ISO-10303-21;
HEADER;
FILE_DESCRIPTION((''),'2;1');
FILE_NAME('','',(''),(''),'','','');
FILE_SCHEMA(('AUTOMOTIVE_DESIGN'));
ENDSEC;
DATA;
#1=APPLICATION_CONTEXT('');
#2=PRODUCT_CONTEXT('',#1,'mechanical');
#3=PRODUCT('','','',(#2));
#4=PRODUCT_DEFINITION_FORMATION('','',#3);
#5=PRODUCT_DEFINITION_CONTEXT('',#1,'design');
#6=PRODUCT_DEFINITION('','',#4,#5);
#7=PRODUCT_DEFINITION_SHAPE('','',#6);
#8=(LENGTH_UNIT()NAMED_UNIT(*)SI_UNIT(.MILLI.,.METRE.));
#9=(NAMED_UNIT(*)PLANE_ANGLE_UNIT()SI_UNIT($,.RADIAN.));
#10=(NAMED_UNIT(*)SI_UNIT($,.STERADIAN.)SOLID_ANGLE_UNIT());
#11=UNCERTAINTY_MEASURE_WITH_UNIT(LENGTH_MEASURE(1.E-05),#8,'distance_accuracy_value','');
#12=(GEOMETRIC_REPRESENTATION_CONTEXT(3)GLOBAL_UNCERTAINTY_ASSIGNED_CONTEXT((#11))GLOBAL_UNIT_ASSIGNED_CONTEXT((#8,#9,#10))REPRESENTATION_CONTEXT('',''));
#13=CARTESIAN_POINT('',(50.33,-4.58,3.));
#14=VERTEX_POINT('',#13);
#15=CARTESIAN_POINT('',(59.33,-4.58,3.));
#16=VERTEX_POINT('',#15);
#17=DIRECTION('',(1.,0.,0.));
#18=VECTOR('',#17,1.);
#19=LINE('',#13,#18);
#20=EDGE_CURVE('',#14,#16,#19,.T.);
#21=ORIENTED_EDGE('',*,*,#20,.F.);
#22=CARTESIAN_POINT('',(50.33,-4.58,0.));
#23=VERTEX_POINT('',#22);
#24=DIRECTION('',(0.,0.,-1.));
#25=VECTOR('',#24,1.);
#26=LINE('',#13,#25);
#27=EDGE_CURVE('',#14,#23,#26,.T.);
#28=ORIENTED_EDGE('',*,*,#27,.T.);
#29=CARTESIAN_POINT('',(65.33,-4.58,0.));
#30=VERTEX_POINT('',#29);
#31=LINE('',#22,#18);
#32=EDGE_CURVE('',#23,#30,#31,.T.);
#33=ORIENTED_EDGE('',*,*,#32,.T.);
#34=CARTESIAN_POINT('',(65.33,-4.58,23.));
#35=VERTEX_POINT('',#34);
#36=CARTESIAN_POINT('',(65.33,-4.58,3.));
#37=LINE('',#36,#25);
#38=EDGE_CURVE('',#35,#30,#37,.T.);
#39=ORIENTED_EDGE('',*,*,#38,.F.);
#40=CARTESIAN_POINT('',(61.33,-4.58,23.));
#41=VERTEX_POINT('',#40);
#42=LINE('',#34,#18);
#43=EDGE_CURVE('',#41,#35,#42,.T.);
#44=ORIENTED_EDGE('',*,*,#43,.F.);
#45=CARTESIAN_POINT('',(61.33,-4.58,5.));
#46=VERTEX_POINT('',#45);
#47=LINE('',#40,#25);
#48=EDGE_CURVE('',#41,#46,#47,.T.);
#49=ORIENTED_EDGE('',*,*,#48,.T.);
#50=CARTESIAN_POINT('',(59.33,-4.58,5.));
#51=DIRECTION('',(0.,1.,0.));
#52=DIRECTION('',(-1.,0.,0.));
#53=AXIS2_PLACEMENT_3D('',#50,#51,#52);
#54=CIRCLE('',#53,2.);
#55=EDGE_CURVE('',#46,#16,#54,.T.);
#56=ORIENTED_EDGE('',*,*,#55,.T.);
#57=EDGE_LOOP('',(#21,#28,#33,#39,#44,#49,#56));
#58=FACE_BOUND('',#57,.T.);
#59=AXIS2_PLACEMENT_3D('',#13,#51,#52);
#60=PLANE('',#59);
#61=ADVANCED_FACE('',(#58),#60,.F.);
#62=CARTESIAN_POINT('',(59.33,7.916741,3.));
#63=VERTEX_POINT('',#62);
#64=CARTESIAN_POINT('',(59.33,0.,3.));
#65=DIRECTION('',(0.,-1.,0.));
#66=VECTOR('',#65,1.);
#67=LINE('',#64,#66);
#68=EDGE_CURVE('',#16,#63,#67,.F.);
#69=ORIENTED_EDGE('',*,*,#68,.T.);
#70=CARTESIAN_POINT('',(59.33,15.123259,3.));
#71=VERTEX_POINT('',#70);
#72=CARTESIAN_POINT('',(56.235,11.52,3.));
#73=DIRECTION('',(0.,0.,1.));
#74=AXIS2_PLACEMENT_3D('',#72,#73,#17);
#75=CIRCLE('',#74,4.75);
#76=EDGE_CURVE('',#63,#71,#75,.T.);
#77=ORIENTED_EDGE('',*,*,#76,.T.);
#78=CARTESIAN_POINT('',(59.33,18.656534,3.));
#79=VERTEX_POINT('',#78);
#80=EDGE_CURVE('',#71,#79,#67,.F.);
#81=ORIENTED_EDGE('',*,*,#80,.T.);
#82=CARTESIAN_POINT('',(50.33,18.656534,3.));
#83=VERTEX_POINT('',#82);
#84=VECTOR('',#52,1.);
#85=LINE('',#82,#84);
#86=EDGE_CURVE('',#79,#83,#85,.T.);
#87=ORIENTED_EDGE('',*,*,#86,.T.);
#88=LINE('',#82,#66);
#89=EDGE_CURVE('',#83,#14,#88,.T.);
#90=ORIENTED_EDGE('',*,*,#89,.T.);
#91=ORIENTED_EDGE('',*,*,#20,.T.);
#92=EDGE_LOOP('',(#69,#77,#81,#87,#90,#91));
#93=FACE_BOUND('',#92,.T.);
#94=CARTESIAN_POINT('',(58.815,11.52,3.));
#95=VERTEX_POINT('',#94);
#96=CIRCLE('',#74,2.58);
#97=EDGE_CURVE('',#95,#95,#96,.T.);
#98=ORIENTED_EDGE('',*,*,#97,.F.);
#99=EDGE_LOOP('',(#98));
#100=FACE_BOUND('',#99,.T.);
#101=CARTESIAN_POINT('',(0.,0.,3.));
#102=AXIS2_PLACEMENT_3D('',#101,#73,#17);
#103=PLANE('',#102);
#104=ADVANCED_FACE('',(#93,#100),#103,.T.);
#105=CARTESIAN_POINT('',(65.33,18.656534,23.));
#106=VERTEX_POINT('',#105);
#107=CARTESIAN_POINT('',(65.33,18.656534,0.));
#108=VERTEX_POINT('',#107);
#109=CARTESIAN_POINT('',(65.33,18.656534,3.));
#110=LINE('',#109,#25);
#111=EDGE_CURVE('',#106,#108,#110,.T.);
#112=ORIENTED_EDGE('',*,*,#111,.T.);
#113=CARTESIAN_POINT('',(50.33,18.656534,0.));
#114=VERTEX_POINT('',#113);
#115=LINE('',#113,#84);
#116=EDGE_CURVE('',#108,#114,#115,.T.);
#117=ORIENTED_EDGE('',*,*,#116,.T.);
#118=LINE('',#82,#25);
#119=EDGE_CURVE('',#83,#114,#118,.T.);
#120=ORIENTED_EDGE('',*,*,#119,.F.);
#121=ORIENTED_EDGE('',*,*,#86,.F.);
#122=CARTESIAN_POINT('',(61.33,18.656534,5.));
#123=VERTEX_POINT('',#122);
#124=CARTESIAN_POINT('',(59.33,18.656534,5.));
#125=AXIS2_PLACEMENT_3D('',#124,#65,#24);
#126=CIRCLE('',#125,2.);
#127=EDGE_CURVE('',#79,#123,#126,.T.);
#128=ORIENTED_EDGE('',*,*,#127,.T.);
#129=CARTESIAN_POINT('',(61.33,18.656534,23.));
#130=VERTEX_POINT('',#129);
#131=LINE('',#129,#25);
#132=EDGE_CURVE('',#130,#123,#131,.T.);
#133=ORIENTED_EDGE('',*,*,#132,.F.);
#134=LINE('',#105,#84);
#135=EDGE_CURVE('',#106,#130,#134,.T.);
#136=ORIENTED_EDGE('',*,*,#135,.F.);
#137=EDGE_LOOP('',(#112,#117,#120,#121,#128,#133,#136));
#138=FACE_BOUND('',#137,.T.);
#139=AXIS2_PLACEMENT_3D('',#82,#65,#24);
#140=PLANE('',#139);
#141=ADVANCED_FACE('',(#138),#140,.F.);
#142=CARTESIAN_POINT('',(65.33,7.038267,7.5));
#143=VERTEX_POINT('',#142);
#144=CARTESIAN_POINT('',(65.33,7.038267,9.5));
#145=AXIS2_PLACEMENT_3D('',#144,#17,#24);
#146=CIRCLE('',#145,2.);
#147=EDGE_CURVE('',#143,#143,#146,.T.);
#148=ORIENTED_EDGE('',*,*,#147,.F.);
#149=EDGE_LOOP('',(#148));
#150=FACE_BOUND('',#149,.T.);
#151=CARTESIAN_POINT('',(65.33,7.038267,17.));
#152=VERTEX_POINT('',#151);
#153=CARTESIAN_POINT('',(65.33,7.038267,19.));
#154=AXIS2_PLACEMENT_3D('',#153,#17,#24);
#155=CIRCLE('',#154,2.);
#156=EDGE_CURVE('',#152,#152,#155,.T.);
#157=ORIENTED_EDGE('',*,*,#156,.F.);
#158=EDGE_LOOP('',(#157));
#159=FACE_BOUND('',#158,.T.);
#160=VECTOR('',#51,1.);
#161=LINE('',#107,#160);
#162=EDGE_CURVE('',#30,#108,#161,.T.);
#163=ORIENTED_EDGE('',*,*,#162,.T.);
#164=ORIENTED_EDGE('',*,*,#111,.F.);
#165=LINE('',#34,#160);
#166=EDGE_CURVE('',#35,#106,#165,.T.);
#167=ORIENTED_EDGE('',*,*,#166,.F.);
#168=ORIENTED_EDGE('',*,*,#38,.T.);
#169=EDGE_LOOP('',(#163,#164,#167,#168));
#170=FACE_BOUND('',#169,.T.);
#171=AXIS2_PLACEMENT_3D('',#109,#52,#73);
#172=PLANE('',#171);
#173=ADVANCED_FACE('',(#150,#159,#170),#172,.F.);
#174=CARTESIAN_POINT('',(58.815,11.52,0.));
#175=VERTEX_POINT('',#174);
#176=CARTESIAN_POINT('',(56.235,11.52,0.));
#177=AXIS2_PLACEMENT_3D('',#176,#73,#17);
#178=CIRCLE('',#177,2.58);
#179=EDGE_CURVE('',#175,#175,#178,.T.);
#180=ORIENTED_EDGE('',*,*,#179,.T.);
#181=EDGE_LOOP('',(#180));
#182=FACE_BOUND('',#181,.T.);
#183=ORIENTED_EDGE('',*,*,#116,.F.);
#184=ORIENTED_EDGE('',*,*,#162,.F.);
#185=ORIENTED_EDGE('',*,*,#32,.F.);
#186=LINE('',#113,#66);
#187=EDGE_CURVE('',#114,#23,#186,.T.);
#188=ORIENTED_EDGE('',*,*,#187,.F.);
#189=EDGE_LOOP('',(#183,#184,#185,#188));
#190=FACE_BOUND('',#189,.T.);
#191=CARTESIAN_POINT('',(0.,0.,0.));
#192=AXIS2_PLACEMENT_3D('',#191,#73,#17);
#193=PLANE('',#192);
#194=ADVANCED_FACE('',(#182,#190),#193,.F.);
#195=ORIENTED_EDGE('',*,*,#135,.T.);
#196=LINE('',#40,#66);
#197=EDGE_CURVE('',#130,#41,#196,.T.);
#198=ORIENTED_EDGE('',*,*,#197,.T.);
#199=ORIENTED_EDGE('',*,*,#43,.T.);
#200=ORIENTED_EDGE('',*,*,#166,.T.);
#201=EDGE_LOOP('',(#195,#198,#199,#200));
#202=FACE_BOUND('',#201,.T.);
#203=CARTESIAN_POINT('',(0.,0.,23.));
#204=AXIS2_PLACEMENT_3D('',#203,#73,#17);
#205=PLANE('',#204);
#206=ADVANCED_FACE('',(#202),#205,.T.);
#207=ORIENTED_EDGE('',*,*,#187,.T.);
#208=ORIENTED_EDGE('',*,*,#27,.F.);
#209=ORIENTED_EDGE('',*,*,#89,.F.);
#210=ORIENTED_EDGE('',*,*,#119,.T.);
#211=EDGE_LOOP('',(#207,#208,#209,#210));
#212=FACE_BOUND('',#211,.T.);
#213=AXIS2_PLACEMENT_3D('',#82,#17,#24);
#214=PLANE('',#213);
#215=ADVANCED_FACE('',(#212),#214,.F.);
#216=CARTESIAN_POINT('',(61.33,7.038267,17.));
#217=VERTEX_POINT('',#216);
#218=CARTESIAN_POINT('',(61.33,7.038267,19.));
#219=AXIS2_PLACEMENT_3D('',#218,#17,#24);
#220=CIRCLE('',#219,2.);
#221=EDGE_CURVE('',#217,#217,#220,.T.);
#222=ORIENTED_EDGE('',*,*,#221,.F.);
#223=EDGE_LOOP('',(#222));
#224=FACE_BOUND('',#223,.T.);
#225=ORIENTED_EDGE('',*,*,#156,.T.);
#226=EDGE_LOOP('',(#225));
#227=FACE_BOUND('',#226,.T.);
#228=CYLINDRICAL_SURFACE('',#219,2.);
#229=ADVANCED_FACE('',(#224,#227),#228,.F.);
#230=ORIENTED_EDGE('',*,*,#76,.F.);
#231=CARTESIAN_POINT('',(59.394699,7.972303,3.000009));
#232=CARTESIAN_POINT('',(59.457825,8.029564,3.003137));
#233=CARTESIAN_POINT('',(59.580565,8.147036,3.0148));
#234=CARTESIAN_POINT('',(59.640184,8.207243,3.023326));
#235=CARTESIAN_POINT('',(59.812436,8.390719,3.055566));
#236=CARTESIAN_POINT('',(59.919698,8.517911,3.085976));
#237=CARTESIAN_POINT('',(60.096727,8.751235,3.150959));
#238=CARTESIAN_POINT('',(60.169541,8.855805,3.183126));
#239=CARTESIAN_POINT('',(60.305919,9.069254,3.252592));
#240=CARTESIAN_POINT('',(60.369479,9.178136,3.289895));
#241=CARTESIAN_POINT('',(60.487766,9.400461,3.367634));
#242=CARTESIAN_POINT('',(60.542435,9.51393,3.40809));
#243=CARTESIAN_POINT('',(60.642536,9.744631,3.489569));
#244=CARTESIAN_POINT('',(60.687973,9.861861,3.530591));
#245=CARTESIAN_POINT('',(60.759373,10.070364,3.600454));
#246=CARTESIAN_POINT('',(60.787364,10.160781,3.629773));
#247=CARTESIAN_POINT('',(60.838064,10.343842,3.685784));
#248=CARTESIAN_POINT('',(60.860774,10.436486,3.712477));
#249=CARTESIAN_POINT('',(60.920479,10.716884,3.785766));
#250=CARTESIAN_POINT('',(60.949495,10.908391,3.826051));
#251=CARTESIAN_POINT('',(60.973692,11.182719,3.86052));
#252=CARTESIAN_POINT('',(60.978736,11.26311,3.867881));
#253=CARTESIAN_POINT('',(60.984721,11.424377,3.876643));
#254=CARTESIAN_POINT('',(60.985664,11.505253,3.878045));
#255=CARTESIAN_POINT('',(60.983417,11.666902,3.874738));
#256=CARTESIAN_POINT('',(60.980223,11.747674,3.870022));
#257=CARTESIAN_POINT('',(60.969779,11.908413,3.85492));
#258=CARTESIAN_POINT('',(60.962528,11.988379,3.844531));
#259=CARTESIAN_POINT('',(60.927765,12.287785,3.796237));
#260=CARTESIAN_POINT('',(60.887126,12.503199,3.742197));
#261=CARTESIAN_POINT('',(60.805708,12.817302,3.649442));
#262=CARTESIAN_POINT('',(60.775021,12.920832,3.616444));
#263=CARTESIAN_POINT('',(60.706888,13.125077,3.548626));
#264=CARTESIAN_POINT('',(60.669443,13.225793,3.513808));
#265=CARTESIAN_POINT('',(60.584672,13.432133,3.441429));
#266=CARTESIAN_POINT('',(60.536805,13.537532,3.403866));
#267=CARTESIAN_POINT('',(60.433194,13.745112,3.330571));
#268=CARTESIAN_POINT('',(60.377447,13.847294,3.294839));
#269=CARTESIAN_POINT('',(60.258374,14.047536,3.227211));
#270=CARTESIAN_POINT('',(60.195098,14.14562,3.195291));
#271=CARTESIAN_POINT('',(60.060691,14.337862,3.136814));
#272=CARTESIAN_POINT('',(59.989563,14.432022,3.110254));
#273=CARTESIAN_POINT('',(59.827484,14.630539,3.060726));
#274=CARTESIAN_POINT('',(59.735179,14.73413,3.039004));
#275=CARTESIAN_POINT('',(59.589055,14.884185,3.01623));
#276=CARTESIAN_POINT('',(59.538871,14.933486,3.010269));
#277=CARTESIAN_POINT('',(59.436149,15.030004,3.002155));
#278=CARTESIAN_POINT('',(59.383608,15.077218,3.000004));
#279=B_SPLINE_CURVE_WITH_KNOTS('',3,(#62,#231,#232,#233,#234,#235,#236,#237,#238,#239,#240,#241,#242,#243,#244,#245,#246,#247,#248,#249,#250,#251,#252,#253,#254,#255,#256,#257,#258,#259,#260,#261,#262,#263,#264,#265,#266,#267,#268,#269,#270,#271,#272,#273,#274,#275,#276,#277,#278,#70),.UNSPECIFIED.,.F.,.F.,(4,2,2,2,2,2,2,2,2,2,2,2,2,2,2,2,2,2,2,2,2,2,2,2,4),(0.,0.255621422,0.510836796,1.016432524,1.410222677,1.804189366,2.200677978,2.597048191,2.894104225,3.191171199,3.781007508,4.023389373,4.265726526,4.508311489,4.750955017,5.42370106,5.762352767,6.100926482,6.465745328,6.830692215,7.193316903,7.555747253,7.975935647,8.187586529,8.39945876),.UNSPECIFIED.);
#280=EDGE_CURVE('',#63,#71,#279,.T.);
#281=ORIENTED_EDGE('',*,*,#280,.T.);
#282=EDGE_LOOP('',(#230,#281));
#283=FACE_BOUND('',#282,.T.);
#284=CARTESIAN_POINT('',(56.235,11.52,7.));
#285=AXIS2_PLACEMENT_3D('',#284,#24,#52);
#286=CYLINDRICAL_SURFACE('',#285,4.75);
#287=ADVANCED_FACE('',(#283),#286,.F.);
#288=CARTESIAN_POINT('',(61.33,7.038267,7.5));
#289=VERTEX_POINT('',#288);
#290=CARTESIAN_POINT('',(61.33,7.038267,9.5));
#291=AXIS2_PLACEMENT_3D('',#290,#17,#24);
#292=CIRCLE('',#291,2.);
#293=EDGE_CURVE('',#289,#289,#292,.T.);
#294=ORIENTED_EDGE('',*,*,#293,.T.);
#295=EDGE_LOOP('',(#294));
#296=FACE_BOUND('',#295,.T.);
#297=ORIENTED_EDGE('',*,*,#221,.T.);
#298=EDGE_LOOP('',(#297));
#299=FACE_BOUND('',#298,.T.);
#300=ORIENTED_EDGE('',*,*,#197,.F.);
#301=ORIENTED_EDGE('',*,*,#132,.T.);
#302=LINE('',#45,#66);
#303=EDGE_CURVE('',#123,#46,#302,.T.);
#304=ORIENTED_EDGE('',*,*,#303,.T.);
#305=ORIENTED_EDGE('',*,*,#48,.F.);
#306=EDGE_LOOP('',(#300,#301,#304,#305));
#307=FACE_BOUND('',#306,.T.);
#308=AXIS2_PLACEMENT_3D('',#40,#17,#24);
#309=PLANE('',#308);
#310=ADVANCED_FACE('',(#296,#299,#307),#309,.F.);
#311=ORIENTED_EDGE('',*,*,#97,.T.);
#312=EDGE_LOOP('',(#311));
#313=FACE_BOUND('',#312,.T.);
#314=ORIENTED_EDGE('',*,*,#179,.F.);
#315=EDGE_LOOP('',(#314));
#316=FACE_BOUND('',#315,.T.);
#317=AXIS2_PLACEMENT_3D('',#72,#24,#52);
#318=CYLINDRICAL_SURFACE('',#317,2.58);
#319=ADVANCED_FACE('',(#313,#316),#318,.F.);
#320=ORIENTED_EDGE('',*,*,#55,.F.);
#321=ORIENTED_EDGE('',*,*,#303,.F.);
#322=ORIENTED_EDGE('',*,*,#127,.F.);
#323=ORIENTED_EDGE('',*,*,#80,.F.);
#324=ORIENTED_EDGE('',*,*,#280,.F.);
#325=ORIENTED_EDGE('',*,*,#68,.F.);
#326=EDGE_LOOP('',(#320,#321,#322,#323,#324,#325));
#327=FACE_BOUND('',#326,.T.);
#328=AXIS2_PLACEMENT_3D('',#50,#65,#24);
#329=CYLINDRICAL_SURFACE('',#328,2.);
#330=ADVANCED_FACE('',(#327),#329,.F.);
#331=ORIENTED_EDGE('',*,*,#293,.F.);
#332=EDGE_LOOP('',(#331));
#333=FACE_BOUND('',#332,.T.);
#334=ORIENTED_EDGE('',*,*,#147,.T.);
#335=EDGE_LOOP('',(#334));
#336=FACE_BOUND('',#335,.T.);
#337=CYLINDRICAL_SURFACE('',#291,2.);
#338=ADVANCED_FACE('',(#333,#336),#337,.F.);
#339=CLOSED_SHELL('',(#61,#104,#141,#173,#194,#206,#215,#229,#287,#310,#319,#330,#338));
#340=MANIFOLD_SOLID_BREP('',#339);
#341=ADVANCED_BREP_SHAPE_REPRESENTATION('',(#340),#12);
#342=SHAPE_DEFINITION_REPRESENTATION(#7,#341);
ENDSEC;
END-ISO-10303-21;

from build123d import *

# Parameters (mm, degrees)
SKETCH1_W           = 15
SKETCH1_H           = 23.236534363
SKETCH1_R           = 2.58
BOSS_EXTRUDE1_DEPTH = 3
SKETCH2_W           = 4
SKETCH2_H           = 23.236534363
BOSS_EXTRUDE2_DEPTH = 20
SKETCH3_R           = 2
CUT_EXTRUDE1_DEPTH  = 4
FILLET1_R           = 2
SKETCH4_R           = 4.75
CUT_EXTRUDE2_DEPTH  = 4


with BuildPart() as part:
    # Sketch1 → Boss-Extrude1 (new body)
    with BuildSketch(Plane.XY):
        with Locations((57.83, 7.038267182)):
            Rectangle(SKETCH1_W, SKETCH1_H)
        with Locations((56.235, 11.52)):
            Circle(SKETCH1_R, mode=Mode.SUBTRACT)
    extrude(amount=BOSS_EXTRUDE1_DEPTH)

    # Sketch2 → Boss-Extrude2 (add)
    with BuildSketch(Plane.XY.offset(3)):
        with Locations((63.33, 7.038267182)):
            Rectangle(SKETCH2_W, SKETCH2_H)
    extrude(amount=BOSS_EXTRUDE2_DEPTH)

    # Sketch3 → Cut-Extrude1 (cut)
    with BuildSketch(Plane(origin=(65.33, 0, 0), x_dir=(0, 0, -1), z_dir=(1, 0, 0))):
        with Locations((-19, 7.038267182)):
            Circle(SKETCH3_R)
        with Locations((-9.5, 7.038267182)):
            Circle(SKETCH3_R)
    extrude(amount=-CUT_EXTRUDE1_DEPTH, mode=Mode.SUBTRACT)

    # Fillet1
    fillet1_edges = [part.edges().sort_by_distance(p)[0] for p in [
        (61.33, 7.038267182, 3),
    ]]
    fillet(fillet1_edges, radius=FILLET1_R)

    # Sketch4 → Cut-Extrude2 (cut)
    with BuildSketch(Plane.XY.offset(3)):
        with Locations((56.235, 11.52)):
            Circle(SKETCH4_R)
    extrude(amount=CUT_EXTRUDE2_DEPTH, mode=Mode.SUBTRACT)


solid = part.part
